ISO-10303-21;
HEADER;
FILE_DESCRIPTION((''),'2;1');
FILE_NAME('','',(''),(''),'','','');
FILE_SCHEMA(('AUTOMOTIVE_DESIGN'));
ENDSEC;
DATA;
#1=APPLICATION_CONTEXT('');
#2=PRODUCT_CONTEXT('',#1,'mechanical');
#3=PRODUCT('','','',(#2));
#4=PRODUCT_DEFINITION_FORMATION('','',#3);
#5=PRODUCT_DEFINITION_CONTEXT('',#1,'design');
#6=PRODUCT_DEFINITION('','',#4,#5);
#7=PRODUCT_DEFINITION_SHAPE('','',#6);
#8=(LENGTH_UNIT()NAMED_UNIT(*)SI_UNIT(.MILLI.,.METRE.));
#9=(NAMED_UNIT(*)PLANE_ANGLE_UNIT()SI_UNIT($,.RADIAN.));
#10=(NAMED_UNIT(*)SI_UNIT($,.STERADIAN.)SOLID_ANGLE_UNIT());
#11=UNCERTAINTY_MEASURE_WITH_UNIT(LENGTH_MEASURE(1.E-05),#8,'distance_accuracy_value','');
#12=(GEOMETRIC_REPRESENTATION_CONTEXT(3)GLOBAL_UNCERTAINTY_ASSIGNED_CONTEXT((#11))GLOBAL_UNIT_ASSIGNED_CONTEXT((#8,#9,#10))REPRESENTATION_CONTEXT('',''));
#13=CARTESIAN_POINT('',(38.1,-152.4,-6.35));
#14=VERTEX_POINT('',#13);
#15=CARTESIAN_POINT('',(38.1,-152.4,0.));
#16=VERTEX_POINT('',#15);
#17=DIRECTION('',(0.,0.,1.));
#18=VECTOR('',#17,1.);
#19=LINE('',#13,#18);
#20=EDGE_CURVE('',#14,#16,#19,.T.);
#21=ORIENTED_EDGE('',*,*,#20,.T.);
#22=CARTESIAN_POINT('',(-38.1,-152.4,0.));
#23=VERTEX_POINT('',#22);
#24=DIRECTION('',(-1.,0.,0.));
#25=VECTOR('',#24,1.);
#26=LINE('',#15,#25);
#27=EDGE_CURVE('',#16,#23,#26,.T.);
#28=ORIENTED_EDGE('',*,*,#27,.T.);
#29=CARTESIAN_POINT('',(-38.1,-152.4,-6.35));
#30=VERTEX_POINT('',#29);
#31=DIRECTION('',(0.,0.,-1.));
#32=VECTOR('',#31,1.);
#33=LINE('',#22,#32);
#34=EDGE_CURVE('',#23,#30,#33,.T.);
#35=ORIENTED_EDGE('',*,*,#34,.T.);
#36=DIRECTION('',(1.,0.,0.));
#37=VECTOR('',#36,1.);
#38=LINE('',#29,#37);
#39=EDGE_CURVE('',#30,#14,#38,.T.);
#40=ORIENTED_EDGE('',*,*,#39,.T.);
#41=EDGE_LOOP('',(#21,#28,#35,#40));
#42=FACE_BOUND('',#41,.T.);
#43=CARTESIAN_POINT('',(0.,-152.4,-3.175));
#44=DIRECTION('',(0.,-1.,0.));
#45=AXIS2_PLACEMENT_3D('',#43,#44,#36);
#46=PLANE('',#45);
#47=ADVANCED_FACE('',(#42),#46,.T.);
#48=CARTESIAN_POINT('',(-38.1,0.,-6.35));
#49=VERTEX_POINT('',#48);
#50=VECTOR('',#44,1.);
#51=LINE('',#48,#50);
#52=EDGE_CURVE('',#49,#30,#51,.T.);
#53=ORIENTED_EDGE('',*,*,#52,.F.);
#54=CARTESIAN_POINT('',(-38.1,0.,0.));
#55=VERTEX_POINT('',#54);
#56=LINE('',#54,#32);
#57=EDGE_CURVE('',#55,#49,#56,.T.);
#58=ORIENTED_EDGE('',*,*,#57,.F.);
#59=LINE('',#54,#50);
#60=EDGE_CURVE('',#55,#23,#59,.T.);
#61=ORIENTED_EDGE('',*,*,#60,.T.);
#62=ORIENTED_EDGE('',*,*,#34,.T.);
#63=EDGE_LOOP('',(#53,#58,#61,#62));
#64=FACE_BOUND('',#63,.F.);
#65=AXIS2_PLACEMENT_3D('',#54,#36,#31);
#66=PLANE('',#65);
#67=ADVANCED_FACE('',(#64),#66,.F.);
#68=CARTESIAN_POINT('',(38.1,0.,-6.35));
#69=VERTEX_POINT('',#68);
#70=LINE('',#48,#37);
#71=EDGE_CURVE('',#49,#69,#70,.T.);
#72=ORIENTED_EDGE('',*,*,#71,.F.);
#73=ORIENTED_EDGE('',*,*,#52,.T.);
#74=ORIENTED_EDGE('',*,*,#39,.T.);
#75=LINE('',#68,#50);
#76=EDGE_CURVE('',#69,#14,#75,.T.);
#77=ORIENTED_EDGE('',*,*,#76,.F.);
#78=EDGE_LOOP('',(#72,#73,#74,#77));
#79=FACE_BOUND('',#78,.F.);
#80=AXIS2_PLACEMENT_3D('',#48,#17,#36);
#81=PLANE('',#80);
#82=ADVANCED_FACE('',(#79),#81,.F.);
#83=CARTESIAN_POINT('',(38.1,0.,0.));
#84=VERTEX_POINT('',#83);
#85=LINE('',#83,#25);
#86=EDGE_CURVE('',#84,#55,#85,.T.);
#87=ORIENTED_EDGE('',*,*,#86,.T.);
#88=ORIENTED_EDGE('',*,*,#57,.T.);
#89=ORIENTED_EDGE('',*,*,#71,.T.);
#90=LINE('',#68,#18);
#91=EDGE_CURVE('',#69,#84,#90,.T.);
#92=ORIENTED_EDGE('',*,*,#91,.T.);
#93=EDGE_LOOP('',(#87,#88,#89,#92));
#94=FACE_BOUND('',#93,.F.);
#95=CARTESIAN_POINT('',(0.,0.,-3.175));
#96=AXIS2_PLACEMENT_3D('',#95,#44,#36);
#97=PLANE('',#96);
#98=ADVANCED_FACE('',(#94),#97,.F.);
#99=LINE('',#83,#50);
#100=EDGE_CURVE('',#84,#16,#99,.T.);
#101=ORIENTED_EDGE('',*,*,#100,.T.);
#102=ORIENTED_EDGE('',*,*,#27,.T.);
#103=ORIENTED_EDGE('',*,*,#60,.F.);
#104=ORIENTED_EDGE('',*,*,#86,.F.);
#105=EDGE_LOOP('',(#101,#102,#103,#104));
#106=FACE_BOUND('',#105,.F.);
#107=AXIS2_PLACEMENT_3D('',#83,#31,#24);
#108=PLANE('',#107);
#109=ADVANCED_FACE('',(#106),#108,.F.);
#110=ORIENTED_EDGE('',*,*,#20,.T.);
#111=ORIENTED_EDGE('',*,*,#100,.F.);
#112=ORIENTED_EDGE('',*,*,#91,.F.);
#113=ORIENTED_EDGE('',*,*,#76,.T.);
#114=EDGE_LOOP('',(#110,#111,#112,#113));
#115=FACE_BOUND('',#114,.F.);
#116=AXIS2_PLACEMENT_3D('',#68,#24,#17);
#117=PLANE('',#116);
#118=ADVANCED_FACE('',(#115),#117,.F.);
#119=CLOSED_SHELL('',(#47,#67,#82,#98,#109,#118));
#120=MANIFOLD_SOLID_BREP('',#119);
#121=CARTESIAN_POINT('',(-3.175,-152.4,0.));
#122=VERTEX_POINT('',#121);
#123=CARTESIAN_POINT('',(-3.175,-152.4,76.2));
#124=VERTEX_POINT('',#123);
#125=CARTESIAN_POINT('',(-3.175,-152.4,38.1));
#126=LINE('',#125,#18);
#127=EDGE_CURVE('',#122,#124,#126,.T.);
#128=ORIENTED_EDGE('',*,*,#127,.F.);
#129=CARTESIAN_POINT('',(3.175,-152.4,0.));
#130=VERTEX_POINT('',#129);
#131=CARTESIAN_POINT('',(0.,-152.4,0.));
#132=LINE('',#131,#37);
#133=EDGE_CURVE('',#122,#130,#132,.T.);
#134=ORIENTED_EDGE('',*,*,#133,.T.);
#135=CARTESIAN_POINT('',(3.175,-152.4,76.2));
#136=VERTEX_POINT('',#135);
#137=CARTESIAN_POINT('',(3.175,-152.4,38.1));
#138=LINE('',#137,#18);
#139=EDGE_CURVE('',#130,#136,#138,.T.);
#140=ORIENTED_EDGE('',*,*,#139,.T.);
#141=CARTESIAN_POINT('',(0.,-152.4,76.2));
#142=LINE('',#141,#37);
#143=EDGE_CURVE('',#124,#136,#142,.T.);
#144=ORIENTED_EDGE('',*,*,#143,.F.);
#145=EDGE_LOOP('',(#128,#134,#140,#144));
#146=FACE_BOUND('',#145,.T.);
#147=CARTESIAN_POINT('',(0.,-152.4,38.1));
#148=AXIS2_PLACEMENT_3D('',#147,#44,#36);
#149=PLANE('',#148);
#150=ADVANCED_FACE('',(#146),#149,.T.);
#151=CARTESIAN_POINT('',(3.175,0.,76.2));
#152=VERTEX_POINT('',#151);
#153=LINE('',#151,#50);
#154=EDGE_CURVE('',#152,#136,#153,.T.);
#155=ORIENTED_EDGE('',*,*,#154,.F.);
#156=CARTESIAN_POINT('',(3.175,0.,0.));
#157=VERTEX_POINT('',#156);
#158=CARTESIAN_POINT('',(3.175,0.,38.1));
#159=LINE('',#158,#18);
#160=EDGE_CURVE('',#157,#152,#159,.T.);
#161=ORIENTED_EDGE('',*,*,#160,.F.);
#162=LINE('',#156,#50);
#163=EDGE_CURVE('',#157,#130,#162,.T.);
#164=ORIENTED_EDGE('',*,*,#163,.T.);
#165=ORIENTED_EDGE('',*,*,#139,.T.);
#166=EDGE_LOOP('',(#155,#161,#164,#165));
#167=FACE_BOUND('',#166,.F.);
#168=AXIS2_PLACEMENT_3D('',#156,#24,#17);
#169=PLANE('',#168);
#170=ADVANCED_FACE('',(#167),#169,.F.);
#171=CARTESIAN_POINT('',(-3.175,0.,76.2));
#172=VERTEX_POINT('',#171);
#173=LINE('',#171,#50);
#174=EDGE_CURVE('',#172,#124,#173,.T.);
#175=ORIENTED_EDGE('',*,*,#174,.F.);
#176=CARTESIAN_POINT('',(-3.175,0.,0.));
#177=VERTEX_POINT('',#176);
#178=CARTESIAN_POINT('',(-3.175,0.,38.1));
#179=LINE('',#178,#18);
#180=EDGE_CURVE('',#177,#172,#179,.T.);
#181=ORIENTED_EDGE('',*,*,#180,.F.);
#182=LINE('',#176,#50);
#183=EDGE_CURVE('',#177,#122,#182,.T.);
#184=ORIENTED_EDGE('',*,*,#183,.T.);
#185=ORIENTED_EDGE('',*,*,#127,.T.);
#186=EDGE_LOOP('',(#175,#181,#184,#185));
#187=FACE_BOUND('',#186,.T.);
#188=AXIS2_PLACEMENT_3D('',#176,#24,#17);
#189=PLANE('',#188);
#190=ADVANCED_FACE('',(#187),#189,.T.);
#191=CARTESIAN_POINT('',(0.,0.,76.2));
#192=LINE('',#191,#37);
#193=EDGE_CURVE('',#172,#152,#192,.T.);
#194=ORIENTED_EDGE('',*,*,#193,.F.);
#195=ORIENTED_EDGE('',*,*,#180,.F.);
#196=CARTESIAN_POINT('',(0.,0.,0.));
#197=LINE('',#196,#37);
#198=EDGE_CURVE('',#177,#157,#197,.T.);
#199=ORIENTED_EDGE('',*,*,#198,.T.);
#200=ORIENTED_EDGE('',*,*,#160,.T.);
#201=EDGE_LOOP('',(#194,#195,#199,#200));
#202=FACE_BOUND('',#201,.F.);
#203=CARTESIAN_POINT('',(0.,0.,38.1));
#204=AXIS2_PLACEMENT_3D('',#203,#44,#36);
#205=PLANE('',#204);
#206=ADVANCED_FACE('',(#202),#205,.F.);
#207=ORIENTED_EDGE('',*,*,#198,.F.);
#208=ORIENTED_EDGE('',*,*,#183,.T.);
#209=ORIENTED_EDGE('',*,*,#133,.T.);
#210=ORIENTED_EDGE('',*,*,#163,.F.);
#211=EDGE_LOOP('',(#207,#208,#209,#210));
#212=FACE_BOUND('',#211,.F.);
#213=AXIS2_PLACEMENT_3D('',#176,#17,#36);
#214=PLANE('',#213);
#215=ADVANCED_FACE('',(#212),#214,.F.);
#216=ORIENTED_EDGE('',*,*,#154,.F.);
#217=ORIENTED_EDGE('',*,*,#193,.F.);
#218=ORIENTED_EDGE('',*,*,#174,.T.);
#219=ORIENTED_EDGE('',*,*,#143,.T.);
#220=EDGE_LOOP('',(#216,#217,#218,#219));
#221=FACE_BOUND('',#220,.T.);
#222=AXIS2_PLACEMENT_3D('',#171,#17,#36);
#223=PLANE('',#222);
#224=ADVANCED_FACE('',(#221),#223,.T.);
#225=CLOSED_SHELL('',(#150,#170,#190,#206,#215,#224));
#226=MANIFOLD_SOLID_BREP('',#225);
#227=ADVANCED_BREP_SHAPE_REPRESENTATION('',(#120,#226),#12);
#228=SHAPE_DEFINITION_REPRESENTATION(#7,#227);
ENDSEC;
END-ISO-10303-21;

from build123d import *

# Parameters (mm, degrees)
F0_W     = 6.35
F0_H     = 76.2
F1_DEPTH = 152.4
F2_DEPTH = 152.4


with BuildPart() as f1:
    # F0 (on Front) → F1 (new body)
    with BuildSketch(Plane.XZ):
        with Locations((0, 38.1)):
            Rectangle(F0_W, F0_H)
    extrude(amount=F1_DEPTH)


with BuildPart() as f2:
    # F0 (on Front) → F2 (new body)
    with BuildSketch(Plane.XZ):
        Polygon((-3.175, 0), (-38.1, 0), (-38.1, -6.35), (38.1, -6.35), (38.1, 0), (3.175, 0), align=None)
    extrude(amount=F2_DEPTH)


solid = Compound([f1.part, f2.part])
